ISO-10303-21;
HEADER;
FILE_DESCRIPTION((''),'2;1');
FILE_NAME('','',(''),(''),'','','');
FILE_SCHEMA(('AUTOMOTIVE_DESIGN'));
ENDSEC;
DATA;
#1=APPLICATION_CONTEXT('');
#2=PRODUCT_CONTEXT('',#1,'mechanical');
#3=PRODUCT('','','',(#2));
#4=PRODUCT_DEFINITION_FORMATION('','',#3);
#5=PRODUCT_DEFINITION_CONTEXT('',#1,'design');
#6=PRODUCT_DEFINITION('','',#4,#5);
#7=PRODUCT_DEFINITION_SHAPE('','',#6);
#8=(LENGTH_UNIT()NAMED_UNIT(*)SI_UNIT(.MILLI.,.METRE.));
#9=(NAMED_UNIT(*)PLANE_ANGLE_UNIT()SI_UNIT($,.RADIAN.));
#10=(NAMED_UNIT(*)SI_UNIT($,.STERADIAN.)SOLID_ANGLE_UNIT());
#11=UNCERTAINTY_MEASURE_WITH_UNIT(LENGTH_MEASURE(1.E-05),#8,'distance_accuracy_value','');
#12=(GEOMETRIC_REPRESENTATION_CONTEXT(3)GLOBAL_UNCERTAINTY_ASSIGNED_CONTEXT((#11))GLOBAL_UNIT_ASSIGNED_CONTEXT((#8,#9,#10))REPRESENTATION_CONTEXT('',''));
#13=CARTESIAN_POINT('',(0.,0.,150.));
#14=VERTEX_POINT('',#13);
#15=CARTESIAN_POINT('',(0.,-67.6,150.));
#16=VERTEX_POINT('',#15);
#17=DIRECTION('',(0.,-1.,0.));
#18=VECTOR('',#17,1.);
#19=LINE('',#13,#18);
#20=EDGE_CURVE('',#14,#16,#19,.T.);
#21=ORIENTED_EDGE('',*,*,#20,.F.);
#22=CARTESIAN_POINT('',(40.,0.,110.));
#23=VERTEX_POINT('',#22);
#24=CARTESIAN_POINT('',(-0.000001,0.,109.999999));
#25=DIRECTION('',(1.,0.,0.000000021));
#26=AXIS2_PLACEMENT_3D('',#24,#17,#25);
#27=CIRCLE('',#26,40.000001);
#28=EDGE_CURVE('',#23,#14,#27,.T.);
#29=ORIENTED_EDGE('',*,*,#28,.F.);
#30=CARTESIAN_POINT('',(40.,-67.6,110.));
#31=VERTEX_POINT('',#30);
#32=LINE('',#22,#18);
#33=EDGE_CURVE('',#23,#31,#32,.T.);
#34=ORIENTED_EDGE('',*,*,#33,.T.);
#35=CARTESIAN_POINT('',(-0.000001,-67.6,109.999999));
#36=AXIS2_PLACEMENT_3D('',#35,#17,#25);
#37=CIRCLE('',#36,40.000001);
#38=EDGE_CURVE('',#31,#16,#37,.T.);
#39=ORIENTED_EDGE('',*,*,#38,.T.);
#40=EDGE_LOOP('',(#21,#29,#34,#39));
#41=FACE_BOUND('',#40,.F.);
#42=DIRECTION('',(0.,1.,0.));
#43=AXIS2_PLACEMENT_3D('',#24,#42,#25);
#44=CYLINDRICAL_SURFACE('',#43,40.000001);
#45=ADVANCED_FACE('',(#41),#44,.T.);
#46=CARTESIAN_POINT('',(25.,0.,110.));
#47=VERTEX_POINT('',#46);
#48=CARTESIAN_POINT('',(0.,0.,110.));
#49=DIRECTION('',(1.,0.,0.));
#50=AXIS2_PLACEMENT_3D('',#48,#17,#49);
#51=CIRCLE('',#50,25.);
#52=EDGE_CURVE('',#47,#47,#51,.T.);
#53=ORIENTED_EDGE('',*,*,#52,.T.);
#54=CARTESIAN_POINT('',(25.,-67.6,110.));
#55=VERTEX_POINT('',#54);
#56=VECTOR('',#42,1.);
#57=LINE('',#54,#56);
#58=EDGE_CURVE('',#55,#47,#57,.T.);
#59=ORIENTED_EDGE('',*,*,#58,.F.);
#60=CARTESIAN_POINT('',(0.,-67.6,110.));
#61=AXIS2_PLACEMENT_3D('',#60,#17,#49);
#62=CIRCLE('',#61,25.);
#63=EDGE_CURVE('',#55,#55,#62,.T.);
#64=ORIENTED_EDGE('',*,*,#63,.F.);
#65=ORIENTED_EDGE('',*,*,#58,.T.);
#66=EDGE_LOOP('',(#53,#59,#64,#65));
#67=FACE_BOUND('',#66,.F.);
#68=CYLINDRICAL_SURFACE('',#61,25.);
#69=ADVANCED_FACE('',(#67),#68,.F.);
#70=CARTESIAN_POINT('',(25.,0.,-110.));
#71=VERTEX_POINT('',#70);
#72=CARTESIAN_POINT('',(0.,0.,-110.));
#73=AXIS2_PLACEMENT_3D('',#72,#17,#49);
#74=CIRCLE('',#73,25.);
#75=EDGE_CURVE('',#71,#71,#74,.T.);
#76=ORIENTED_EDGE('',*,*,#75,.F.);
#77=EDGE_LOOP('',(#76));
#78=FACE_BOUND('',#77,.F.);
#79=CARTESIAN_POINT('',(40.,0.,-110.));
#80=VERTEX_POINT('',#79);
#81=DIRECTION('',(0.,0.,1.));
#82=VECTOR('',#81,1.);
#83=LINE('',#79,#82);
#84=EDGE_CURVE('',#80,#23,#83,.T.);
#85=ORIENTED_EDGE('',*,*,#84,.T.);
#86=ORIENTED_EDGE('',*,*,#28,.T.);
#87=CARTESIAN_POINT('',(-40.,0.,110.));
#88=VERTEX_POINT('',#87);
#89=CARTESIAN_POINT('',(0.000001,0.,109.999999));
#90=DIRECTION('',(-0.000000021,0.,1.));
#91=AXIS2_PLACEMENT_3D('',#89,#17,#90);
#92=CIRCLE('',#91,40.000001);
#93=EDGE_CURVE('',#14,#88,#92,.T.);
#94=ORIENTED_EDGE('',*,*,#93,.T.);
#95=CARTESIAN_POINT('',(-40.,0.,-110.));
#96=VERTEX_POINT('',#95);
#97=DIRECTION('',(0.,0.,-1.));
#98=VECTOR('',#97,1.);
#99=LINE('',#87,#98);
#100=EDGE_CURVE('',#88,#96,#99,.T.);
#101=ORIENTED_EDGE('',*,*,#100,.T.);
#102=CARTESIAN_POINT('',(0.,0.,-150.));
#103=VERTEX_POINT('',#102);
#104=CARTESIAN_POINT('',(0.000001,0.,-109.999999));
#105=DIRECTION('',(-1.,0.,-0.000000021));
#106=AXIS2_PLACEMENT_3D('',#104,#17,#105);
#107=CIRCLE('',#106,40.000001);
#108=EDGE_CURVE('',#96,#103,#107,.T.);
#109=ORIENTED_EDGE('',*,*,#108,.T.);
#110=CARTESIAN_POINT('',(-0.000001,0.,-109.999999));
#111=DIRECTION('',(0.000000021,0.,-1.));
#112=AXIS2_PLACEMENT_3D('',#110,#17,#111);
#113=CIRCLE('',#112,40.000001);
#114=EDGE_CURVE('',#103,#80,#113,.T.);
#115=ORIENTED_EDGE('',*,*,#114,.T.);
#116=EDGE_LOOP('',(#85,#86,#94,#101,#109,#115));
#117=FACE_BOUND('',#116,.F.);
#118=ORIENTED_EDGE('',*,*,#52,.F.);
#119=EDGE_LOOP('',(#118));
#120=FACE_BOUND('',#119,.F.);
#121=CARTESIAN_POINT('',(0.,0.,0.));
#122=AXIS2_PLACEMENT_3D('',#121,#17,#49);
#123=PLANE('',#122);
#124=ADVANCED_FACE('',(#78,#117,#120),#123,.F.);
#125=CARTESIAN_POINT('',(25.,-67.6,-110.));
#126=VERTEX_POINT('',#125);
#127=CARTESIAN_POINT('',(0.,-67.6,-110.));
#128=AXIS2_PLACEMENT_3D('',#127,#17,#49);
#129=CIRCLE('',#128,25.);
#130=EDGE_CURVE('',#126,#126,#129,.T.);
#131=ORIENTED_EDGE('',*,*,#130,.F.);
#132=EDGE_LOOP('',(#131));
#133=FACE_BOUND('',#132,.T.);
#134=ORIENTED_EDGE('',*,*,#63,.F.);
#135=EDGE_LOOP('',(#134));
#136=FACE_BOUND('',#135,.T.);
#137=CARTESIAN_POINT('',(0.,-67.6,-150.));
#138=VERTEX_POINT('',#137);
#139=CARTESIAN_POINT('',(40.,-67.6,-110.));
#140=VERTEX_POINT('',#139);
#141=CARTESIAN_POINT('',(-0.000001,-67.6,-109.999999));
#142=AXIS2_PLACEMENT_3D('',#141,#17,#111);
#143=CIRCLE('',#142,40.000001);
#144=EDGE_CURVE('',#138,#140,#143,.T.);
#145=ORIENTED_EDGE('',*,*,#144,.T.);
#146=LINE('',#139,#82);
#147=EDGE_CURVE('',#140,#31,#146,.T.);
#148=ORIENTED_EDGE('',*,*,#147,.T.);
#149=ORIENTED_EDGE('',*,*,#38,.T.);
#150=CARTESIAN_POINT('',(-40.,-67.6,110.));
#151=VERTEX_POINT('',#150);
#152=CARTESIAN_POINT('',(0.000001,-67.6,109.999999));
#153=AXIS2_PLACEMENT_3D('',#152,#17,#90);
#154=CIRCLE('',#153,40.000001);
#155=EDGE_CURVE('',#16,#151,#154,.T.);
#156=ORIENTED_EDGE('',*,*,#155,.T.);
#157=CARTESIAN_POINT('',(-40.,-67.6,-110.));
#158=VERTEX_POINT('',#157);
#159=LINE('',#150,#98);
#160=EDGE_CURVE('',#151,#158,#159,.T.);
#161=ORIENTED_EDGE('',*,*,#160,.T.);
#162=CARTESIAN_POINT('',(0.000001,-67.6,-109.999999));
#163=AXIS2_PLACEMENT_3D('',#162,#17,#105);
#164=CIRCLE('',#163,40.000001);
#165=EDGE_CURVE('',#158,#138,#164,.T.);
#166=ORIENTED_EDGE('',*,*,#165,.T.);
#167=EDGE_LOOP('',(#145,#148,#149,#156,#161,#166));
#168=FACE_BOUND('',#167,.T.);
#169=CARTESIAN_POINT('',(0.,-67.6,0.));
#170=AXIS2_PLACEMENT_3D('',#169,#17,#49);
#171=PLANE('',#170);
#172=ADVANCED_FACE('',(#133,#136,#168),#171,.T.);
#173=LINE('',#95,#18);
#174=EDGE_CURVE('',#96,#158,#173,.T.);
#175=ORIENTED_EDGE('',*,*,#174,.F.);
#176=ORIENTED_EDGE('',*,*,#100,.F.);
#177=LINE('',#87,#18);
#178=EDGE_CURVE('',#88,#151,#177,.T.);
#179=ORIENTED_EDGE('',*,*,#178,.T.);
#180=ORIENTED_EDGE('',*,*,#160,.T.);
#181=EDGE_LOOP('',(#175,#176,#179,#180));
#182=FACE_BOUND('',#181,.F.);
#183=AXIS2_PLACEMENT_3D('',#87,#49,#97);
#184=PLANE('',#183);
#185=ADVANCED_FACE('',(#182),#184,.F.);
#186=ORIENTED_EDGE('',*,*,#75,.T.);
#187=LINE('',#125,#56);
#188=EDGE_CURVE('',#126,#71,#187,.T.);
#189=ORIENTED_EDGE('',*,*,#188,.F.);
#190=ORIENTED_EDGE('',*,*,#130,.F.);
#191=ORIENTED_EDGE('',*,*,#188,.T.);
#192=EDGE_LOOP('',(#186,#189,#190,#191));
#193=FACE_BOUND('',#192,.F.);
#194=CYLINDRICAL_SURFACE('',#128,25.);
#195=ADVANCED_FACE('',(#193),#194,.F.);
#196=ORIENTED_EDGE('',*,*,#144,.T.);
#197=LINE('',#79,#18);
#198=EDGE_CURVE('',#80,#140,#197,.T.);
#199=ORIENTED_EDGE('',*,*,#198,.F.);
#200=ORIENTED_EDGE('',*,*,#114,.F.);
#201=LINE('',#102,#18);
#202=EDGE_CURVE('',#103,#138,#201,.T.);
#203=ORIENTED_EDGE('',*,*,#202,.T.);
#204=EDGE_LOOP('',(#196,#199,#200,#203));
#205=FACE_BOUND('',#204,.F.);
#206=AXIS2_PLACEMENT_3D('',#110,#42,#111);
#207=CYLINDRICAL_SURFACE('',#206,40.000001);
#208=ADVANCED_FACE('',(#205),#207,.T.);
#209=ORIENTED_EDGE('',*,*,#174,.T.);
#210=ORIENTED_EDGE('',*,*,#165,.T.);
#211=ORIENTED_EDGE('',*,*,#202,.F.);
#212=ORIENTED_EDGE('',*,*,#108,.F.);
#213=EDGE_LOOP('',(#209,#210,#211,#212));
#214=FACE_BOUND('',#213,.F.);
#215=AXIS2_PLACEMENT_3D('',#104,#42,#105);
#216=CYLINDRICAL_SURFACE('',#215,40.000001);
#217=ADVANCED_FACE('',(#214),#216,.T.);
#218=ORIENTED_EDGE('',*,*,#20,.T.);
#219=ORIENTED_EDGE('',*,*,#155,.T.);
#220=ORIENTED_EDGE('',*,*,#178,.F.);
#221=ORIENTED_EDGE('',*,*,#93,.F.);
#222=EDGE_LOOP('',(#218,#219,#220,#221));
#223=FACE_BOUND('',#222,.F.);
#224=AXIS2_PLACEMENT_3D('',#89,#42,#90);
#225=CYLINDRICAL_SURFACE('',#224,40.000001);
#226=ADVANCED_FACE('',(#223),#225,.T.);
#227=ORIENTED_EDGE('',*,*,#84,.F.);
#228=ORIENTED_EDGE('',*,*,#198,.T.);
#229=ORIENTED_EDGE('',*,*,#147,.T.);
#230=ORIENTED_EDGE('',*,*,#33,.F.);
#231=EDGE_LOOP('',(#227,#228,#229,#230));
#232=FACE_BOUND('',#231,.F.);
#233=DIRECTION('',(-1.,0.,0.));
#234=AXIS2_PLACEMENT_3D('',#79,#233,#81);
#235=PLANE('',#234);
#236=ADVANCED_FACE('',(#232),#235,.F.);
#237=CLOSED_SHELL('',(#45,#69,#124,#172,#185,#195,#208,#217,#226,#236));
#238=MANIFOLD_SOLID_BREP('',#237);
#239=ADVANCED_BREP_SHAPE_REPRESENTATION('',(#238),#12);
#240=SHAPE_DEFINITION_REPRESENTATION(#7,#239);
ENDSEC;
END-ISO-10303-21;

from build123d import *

# Parameters (mm, degrees)
F1_DEPTH = 67.6
F2_R     = 25
F3_DEPTH = 67.6


with BuildPart() as f1:
    # F0 (on Front) → F1 (new body)
    with BuildSketch(Plane.XZ):
        with BuildLine():
            Line((40, -110), (40, 110))
            ThreePointArc((40, 110), (28.284271, 138.284271), (0, 150))
            ThreePointArc((0, 150), (-28.284271, 138.284271), (-40, 110))
            Line((-40, 110), (-40, -110))
            ThreePointArc((-40, -110), (-28.284271, -138.284271), (0, -150))
            ThreePointArc((0, -150), (28.284271, -138.284271), (40, -110))
        make_face()
    extrude(amount=F1_DEPTH)

    # F2 (on face) → F3 (cut, through all)
    with BuildSketch(Plane.XZ.offset(67.6)):
        with Locations((0, 110)):
            Circle(F2_R)
        with Locations((0, -110)):
            Circle(F2_R)
    extrude(amount=-F3_DEPTH, mode=Mode.SUBTRACT)


solid = f1.part
